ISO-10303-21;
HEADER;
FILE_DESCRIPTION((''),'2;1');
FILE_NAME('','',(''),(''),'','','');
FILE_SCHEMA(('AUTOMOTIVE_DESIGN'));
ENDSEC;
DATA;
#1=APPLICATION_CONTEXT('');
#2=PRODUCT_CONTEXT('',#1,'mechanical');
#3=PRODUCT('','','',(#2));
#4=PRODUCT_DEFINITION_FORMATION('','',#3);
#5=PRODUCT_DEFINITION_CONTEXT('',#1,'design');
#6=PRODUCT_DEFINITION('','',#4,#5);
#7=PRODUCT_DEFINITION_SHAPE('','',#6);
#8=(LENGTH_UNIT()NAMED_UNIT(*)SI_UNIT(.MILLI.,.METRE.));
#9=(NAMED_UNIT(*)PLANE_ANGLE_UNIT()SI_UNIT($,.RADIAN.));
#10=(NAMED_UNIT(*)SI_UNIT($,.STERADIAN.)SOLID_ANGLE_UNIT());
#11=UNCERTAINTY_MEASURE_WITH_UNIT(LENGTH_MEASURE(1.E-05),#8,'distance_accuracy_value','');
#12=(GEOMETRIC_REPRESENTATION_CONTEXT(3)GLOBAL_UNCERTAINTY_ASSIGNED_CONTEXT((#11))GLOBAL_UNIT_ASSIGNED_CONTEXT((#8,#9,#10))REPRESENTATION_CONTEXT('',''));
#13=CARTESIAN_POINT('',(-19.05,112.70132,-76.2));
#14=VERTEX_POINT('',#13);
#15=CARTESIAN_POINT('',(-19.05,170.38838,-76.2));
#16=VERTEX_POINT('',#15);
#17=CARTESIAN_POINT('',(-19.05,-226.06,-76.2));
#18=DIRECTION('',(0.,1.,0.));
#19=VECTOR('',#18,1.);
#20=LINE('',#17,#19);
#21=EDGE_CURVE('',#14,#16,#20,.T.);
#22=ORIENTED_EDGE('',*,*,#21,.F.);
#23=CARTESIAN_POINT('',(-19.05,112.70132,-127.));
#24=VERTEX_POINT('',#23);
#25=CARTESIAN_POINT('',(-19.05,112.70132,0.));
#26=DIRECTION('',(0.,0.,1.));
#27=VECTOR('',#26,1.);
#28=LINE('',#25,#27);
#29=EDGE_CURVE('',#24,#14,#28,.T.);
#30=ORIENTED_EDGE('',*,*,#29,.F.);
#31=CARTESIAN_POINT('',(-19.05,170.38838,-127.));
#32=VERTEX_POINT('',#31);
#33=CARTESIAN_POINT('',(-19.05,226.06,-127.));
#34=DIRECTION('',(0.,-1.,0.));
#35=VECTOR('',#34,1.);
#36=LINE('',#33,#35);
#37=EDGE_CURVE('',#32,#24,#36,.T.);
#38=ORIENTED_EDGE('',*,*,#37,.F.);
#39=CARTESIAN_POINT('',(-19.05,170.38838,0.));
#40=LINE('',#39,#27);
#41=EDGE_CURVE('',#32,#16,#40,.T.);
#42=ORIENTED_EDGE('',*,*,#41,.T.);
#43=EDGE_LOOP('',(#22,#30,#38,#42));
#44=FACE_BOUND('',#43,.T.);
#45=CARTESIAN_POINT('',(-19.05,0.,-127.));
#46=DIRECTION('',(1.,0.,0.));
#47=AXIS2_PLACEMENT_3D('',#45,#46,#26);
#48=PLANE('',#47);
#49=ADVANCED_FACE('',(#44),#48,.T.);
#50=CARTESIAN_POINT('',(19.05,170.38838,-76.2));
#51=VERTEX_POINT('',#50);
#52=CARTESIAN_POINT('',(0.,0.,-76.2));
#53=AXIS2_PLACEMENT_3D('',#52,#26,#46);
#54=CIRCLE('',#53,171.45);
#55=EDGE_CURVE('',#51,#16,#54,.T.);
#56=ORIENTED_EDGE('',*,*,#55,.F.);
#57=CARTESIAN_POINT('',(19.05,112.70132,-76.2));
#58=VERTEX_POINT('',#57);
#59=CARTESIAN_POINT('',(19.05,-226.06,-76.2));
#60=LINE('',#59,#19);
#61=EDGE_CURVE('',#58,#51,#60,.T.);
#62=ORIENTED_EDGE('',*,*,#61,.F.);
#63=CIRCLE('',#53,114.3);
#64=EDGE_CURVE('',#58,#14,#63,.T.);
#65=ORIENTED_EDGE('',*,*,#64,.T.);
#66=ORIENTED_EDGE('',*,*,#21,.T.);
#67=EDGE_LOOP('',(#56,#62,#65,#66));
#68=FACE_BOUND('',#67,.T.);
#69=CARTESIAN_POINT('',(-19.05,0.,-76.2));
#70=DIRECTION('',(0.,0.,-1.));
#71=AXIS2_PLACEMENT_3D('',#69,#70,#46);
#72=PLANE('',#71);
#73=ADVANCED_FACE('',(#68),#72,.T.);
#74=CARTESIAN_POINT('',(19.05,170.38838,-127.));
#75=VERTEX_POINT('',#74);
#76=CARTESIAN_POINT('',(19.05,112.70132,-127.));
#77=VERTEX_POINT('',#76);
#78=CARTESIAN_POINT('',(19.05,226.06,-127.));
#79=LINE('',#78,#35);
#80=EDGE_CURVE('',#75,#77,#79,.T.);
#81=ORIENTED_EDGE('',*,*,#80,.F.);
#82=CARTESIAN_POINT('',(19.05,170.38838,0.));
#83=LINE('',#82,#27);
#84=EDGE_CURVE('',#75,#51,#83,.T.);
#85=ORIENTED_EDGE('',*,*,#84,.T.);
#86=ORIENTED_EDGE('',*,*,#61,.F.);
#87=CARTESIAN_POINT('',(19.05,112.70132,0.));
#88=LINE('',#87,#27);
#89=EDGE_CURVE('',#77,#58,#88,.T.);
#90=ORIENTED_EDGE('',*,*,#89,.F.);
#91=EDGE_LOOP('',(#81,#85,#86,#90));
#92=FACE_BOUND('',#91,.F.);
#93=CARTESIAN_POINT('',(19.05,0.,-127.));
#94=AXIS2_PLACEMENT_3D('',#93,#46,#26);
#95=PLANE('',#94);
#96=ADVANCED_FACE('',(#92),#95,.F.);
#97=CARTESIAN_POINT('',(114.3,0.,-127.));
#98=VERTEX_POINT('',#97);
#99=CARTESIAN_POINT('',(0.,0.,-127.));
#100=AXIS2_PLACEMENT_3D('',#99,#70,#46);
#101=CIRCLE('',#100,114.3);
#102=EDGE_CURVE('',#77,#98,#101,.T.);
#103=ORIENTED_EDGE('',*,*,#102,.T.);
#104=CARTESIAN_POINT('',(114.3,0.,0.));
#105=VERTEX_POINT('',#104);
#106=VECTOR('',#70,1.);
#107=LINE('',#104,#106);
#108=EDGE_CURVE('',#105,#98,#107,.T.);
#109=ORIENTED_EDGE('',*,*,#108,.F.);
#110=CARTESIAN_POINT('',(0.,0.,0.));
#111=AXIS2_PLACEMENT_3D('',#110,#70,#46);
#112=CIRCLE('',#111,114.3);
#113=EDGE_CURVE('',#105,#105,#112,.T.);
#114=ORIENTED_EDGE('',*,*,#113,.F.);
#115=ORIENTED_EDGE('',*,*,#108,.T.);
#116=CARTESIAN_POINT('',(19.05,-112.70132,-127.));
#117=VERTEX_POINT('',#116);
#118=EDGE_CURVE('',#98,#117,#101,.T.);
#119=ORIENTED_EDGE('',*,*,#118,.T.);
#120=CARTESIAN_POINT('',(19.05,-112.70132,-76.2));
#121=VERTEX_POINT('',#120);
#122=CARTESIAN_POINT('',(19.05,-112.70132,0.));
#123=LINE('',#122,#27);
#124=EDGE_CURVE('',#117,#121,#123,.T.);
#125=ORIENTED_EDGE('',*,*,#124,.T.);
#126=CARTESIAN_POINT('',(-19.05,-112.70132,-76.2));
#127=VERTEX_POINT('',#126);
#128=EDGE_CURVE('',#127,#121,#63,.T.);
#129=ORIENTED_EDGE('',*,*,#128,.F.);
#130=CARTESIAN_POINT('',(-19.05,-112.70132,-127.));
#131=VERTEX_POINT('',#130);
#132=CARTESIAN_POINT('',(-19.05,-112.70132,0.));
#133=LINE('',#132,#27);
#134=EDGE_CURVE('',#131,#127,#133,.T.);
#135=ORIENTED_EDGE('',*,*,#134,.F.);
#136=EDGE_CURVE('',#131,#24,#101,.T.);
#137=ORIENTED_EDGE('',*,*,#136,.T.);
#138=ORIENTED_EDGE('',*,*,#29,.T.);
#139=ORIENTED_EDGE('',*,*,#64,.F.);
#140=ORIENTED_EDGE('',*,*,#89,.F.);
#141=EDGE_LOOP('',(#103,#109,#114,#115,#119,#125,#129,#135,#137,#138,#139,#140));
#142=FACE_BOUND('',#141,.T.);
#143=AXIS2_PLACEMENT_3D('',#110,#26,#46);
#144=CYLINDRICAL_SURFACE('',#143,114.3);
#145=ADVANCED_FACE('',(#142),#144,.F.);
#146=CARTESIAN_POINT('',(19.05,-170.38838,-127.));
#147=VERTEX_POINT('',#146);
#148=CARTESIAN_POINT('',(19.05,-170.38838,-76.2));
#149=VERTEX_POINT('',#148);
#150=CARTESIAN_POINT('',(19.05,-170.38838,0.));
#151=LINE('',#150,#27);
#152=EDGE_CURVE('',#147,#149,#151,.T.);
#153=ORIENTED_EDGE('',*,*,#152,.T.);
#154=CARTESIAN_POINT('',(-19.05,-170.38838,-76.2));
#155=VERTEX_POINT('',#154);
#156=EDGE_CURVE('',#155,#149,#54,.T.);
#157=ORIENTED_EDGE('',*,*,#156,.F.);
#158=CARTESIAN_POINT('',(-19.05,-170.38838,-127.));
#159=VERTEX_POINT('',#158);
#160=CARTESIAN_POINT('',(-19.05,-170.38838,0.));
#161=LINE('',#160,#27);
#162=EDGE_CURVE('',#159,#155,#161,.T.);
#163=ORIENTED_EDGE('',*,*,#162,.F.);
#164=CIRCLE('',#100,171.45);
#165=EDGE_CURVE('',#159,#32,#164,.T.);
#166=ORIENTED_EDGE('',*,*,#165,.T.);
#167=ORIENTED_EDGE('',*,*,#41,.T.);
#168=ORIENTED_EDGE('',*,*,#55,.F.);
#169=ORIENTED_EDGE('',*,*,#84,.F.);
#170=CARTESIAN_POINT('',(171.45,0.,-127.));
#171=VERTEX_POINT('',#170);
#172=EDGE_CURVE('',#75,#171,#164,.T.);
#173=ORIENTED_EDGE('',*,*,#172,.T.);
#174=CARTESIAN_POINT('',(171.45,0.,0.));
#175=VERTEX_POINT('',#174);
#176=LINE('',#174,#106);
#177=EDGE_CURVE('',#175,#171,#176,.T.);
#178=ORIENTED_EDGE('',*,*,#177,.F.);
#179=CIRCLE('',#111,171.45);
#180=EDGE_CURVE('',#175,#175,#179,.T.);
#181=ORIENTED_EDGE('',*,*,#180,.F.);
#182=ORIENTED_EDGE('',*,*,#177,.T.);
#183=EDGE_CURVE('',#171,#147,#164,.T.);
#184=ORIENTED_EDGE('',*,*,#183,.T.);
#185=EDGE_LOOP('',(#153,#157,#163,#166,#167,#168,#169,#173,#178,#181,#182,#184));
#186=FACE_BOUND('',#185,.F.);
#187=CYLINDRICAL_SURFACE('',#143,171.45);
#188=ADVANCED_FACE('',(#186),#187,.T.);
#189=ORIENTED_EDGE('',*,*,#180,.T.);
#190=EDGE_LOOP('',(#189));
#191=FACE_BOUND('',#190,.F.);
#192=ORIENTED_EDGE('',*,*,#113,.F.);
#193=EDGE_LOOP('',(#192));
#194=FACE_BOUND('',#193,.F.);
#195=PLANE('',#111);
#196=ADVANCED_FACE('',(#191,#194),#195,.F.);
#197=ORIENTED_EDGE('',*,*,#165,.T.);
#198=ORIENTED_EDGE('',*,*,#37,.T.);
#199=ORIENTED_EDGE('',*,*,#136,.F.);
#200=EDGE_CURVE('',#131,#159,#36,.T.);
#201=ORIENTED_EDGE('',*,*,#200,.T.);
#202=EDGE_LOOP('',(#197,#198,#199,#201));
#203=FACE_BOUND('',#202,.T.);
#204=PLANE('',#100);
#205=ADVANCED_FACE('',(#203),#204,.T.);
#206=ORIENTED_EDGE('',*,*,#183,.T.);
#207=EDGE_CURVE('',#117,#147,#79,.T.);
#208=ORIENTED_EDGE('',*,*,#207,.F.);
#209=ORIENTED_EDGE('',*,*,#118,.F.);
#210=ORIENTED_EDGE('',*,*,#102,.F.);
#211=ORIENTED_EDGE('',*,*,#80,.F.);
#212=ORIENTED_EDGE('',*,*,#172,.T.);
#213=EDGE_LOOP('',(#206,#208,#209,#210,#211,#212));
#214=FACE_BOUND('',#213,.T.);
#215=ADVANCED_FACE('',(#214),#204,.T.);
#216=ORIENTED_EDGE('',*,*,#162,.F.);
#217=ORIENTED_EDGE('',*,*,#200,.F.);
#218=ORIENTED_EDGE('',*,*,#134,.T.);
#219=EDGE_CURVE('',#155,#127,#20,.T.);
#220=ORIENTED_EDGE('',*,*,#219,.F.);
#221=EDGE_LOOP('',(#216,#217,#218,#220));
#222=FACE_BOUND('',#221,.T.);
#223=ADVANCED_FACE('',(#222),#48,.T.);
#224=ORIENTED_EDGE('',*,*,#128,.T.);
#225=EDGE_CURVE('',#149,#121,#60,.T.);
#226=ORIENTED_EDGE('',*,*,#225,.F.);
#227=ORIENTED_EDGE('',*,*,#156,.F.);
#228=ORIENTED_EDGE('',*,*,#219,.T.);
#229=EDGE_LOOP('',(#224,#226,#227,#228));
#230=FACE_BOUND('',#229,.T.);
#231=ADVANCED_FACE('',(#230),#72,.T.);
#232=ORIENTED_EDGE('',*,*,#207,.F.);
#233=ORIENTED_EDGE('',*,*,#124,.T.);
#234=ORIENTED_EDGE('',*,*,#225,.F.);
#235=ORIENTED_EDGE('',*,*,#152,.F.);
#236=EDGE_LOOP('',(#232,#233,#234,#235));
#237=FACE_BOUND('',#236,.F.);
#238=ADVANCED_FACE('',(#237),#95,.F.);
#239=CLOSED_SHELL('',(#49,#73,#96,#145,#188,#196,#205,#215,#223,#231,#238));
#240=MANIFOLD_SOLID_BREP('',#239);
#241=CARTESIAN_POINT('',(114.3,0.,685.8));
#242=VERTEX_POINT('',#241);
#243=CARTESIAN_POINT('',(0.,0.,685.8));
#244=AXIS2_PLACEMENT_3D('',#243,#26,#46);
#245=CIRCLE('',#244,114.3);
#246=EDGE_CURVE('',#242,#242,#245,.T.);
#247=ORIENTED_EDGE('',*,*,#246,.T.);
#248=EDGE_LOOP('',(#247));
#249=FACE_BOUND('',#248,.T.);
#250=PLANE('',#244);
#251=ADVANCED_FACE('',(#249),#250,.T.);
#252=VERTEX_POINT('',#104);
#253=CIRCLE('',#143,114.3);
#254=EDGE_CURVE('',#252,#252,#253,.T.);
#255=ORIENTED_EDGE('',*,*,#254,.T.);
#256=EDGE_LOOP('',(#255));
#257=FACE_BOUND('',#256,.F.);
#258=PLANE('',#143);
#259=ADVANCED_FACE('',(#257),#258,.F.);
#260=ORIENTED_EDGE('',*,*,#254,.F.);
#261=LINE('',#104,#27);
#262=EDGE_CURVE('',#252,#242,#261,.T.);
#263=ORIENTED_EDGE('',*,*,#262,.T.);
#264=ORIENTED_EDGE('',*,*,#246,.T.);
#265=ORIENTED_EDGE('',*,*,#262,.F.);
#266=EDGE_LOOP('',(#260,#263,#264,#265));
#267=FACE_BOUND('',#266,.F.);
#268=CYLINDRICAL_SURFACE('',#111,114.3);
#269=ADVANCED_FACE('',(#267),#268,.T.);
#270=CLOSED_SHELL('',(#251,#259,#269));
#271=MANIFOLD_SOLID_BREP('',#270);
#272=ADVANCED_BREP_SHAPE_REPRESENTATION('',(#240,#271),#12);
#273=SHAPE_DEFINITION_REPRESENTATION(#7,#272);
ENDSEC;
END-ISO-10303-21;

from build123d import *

# Parameters (mm, degrees)
F0_R     = 114.3
F1_DEPTH = 685.8
F2_R     = 171.45
F2_R_2   = 114.3
F3_DEPTH = 127
F4_W     = 38.1
F4_H     = 50.8
F5_DEPTH = 226.06


with BuildPart() as f1:
    # F0 (on Top) → F1 (new body)
    with BuildSketch(Plane.XY):
        Circle(F0_R)
    extrude(amount=F1_DEPTH)


with BuildPart() as f3:
    # F2 (on face) → F3 (new body)
    with BuildSketch(Plane(origin=(0, 0, 0), x_dir=(1, 0, 0), z_dir=(0, 0, -1))):
        Circle(F2_R)
        Circle(F2_R_2, mode=Mode.SUBTRACT)
    extrude(amount=F3_DEPTH)

    # F4 (on Front) → F5 (cut, symmetric)
    with BuildSketch(Plane.XZ):
        with Locations((0, -101.6)):
            Rectangle(F4_W, F4_H)
    extrude(amount=F5_DEPTH, both=True, mode=Mode.SUBTRACT)


solid = Compound([f1.part, f3.part])
